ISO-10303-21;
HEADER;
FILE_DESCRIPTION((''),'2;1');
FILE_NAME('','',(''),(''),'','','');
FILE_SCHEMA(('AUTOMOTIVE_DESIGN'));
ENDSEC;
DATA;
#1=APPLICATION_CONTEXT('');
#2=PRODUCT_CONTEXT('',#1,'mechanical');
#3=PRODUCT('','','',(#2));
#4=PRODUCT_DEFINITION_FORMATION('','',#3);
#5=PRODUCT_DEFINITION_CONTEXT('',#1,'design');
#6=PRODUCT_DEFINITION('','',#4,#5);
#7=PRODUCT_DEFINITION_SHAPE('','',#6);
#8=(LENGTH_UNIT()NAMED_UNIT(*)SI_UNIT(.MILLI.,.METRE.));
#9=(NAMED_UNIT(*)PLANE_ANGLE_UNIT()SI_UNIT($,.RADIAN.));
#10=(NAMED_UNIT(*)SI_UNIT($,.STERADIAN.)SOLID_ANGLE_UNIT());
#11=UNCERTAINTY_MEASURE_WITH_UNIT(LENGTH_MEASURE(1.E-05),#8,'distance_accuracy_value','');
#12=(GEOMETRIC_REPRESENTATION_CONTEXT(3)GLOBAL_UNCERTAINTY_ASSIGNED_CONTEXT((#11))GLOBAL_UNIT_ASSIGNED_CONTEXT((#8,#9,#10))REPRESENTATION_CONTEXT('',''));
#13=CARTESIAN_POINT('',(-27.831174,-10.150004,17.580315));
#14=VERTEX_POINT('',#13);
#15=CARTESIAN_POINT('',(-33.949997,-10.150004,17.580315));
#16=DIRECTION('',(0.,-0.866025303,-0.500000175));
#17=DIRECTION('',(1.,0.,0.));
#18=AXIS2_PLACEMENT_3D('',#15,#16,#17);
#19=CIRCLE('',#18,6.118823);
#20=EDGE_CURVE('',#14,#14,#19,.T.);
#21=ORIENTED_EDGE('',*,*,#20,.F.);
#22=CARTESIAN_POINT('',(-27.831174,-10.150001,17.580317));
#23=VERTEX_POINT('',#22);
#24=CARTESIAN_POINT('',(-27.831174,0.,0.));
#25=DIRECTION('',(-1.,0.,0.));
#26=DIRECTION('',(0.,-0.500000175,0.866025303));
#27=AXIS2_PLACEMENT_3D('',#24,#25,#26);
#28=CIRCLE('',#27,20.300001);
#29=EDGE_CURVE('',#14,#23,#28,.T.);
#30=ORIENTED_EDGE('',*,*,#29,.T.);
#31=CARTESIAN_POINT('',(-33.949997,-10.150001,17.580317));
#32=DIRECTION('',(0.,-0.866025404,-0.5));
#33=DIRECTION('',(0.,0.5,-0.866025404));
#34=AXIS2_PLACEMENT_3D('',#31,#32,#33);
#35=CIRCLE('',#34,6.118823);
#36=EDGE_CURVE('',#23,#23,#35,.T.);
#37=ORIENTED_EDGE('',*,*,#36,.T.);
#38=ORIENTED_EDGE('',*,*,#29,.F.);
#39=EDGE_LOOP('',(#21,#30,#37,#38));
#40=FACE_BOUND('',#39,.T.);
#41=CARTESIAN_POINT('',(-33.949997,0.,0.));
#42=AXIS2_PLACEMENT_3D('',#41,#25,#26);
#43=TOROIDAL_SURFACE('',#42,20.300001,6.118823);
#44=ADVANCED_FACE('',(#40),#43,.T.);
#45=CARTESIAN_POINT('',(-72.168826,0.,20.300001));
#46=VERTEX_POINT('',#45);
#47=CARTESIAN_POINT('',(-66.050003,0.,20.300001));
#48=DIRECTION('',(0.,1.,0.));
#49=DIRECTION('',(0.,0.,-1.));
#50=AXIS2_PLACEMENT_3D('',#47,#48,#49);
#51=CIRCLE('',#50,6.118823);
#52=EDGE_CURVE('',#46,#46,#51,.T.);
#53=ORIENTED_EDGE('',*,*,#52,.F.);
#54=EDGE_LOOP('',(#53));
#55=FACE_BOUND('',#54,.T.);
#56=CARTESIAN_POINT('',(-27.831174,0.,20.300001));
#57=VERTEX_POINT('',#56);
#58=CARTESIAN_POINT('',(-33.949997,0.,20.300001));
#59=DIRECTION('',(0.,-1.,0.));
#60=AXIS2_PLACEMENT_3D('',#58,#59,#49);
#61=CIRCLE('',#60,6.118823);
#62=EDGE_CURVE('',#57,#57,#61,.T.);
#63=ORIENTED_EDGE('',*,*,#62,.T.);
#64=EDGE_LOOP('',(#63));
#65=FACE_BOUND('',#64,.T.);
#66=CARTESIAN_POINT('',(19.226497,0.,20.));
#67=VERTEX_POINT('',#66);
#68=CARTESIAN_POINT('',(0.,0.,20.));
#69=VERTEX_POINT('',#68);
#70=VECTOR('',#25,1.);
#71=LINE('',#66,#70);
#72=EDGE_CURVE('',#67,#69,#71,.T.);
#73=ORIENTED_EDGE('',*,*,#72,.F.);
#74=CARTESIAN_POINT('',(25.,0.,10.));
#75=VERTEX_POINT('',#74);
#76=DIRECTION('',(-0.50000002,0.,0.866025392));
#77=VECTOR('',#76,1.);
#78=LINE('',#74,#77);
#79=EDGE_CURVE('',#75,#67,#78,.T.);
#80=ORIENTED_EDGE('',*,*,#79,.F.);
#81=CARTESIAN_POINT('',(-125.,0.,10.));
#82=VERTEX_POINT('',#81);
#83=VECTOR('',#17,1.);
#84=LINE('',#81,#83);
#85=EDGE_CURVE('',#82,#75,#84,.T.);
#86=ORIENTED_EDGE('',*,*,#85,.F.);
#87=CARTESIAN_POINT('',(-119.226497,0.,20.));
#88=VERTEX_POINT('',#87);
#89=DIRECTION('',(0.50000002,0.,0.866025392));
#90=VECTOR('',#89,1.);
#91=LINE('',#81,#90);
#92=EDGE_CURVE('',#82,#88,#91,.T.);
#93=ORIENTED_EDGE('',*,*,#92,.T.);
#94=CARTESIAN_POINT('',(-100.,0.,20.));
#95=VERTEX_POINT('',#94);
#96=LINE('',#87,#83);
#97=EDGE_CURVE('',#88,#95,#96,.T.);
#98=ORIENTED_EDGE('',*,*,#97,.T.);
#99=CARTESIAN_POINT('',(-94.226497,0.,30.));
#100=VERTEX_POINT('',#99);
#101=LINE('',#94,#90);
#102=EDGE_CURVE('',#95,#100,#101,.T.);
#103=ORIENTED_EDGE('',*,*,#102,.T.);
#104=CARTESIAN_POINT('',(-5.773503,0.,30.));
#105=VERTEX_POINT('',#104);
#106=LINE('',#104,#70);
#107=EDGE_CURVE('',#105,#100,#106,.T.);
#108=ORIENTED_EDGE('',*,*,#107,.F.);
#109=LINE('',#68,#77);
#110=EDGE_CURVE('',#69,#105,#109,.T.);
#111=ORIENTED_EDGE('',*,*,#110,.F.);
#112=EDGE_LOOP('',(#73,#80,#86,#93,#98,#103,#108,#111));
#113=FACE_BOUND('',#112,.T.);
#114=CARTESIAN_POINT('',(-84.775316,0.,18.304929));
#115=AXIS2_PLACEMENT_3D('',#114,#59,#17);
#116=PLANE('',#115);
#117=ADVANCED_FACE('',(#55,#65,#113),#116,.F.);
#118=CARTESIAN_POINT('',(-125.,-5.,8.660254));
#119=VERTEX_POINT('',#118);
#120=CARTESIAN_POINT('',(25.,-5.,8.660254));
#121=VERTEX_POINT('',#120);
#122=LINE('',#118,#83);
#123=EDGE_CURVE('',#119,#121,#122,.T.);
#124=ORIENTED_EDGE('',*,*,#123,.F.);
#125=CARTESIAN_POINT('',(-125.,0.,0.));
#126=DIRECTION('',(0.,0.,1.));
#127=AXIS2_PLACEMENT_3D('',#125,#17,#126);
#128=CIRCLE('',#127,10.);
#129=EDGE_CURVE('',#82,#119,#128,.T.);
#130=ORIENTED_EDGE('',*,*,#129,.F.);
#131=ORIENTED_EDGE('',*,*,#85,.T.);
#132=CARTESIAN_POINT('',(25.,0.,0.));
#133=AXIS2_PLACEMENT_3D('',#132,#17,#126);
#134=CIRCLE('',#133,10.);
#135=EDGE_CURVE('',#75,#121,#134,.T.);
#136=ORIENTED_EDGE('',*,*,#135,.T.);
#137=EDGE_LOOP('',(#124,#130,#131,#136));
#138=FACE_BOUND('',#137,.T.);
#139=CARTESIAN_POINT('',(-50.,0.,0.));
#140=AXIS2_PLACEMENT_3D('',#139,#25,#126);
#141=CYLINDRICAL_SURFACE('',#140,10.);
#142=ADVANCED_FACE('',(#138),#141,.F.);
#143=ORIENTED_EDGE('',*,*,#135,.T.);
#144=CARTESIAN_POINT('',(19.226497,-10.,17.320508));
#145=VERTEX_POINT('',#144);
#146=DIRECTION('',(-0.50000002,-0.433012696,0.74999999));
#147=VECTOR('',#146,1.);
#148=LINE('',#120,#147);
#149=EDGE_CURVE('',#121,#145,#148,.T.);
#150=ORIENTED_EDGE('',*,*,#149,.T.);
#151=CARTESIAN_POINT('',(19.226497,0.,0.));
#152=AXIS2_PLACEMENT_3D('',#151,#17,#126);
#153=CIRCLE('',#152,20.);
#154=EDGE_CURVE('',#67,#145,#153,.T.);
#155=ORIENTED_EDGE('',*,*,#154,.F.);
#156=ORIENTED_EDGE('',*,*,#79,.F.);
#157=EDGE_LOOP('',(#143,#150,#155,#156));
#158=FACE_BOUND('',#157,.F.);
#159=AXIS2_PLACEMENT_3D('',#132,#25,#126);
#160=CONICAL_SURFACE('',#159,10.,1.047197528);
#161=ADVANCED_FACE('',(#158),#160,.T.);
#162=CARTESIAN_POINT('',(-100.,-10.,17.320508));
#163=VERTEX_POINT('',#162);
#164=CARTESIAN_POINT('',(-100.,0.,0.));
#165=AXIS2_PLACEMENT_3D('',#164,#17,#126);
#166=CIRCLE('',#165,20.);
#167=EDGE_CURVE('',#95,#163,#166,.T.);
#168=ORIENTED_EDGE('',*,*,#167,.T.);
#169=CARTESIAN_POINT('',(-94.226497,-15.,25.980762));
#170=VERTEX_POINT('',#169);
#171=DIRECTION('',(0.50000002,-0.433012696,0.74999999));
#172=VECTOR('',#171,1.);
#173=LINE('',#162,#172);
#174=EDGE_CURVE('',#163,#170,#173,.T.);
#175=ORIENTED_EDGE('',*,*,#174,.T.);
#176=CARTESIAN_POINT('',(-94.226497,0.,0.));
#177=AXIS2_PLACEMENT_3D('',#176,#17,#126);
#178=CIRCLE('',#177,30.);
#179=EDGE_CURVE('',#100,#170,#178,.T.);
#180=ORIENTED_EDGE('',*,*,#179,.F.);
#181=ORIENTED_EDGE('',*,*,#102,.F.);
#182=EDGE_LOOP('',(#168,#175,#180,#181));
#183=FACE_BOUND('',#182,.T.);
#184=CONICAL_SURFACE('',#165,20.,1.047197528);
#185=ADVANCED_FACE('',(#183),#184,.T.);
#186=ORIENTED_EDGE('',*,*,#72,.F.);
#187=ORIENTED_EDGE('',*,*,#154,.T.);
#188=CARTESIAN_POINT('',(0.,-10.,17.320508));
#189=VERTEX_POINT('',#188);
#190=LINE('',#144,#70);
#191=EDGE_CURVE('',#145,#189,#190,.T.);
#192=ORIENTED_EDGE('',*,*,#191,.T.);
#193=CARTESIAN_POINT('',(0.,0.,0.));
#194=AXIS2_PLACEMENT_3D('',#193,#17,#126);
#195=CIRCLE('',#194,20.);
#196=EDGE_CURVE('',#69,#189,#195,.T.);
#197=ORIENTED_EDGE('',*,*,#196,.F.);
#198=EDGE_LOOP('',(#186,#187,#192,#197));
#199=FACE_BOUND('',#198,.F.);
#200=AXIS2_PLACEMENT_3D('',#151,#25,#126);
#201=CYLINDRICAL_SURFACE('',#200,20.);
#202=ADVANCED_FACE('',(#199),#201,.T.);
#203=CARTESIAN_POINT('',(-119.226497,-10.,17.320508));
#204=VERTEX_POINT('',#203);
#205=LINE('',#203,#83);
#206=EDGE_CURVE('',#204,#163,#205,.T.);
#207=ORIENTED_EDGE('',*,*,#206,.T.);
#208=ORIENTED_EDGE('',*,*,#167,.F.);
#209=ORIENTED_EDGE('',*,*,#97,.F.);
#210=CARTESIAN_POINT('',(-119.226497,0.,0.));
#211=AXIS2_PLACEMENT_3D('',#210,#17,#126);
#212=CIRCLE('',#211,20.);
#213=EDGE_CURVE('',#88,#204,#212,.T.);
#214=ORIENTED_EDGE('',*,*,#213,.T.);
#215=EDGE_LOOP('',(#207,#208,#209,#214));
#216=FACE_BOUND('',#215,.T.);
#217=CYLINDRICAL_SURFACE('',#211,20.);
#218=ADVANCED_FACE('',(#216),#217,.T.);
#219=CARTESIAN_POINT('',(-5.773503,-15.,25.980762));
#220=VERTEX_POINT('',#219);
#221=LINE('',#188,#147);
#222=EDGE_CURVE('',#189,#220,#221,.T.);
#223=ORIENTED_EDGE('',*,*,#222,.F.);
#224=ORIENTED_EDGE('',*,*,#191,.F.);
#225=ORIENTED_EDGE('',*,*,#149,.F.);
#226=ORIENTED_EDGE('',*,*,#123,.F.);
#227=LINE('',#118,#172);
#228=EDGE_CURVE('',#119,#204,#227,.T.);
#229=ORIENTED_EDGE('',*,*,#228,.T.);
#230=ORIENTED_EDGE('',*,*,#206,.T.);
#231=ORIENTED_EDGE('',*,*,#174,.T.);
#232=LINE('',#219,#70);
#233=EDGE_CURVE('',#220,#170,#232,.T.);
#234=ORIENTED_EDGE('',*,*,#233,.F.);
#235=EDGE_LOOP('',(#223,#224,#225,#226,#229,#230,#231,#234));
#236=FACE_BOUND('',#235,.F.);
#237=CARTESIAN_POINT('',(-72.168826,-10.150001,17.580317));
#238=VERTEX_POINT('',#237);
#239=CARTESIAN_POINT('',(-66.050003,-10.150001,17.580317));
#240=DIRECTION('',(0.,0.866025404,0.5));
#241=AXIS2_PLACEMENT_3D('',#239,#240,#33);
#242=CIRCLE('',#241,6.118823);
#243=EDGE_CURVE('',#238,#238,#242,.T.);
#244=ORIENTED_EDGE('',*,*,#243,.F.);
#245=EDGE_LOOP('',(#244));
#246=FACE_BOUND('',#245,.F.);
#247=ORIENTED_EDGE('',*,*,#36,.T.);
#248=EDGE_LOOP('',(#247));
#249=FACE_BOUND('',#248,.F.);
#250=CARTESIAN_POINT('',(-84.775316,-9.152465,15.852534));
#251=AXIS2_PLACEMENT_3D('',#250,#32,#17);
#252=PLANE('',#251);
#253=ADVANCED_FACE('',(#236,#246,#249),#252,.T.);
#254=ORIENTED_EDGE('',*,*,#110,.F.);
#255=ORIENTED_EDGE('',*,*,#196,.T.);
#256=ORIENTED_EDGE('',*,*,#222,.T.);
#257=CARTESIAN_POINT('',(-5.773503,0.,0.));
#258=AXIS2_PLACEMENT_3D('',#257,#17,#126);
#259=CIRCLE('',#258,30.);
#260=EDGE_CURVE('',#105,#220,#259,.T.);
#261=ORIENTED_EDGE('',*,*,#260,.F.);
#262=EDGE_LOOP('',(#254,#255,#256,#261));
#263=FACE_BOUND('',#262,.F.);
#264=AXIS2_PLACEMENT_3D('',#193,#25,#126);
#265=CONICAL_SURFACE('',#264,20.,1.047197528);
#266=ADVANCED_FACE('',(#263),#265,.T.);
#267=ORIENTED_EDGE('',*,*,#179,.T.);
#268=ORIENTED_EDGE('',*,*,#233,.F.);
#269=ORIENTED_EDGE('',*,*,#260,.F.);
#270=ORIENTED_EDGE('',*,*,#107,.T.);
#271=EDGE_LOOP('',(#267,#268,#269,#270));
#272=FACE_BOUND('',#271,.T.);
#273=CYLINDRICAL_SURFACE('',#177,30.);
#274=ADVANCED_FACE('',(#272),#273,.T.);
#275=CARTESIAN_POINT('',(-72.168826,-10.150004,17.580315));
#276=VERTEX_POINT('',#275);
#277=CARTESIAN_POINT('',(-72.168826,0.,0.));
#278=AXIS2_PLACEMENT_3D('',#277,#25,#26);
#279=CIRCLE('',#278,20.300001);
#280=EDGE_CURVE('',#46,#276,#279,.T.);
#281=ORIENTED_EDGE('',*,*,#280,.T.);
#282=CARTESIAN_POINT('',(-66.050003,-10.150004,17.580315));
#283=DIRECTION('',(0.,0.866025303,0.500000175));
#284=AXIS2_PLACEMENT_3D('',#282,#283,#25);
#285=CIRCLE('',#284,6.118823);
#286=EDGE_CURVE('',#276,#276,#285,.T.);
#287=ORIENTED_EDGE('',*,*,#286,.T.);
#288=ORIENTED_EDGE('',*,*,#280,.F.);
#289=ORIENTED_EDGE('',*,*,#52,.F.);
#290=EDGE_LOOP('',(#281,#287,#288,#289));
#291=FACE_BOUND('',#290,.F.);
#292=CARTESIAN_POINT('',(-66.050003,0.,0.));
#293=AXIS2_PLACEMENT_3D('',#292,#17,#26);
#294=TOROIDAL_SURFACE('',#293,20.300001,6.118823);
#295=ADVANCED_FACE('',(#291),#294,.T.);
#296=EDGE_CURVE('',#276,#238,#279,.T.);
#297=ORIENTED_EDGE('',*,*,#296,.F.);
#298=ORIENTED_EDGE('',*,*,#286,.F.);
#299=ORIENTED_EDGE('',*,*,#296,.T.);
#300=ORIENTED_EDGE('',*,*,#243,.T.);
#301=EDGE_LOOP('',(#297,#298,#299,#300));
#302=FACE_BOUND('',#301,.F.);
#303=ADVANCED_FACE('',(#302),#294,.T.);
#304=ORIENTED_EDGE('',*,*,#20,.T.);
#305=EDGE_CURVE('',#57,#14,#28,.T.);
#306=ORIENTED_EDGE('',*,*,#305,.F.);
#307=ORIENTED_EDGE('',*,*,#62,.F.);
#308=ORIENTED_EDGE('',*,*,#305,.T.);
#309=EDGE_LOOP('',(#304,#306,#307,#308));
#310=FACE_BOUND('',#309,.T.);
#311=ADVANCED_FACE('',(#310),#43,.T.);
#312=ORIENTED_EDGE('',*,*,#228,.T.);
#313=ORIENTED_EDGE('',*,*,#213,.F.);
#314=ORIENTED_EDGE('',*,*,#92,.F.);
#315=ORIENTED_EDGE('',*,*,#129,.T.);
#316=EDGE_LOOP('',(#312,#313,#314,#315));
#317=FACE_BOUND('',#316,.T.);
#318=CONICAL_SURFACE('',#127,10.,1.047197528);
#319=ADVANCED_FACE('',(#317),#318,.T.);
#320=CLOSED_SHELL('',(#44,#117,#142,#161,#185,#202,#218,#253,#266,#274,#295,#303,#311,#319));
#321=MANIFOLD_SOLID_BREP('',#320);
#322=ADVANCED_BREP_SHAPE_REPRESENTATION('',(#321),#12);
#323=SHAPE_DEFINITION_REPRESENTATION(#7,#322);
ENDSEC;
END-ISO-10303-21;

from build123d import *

# Parameters (mm, degrees)
F1_ANGLE = 30
F2_R     = 6.118823


with BuildPart() as f1:
    # F0 (on Front) → F1 (revolve)
    with BuildSketch(Plane.XZ):
        Polygon((-5.773503, 30), (-50, 30), (-50, 10), (25, 10), (19.226497, 20), (0, 20), align=None)
    revolve(axis=Axis((-12.5, 0, 0), (1, 0, 0)), revolution_arc=F1_ANGLE)

    # F2 (on face) → F3 (revolve)
    with BuildSketch(Plane(origin=(0, 0, 0), x_dir=(1, 0, 0), z_dir=(0, -0.866025, -0.5))):
        with Locations((-33.949997, 20.300001)):
            Circle(F2_R)
    revolve(axis=Axis((5.200002, 0, 0), (-1, 0, 0)))

    # F4: F1 across face


with BuildPart() as f1_1:
    add(f1.part)
    add(f1.part.mirror(Plane(origin=(-50, -5.543907, 20.690143), x_dir=(0, -1, 0), z_dir=(-1, 0, 0))))


solid = f1_1.part
